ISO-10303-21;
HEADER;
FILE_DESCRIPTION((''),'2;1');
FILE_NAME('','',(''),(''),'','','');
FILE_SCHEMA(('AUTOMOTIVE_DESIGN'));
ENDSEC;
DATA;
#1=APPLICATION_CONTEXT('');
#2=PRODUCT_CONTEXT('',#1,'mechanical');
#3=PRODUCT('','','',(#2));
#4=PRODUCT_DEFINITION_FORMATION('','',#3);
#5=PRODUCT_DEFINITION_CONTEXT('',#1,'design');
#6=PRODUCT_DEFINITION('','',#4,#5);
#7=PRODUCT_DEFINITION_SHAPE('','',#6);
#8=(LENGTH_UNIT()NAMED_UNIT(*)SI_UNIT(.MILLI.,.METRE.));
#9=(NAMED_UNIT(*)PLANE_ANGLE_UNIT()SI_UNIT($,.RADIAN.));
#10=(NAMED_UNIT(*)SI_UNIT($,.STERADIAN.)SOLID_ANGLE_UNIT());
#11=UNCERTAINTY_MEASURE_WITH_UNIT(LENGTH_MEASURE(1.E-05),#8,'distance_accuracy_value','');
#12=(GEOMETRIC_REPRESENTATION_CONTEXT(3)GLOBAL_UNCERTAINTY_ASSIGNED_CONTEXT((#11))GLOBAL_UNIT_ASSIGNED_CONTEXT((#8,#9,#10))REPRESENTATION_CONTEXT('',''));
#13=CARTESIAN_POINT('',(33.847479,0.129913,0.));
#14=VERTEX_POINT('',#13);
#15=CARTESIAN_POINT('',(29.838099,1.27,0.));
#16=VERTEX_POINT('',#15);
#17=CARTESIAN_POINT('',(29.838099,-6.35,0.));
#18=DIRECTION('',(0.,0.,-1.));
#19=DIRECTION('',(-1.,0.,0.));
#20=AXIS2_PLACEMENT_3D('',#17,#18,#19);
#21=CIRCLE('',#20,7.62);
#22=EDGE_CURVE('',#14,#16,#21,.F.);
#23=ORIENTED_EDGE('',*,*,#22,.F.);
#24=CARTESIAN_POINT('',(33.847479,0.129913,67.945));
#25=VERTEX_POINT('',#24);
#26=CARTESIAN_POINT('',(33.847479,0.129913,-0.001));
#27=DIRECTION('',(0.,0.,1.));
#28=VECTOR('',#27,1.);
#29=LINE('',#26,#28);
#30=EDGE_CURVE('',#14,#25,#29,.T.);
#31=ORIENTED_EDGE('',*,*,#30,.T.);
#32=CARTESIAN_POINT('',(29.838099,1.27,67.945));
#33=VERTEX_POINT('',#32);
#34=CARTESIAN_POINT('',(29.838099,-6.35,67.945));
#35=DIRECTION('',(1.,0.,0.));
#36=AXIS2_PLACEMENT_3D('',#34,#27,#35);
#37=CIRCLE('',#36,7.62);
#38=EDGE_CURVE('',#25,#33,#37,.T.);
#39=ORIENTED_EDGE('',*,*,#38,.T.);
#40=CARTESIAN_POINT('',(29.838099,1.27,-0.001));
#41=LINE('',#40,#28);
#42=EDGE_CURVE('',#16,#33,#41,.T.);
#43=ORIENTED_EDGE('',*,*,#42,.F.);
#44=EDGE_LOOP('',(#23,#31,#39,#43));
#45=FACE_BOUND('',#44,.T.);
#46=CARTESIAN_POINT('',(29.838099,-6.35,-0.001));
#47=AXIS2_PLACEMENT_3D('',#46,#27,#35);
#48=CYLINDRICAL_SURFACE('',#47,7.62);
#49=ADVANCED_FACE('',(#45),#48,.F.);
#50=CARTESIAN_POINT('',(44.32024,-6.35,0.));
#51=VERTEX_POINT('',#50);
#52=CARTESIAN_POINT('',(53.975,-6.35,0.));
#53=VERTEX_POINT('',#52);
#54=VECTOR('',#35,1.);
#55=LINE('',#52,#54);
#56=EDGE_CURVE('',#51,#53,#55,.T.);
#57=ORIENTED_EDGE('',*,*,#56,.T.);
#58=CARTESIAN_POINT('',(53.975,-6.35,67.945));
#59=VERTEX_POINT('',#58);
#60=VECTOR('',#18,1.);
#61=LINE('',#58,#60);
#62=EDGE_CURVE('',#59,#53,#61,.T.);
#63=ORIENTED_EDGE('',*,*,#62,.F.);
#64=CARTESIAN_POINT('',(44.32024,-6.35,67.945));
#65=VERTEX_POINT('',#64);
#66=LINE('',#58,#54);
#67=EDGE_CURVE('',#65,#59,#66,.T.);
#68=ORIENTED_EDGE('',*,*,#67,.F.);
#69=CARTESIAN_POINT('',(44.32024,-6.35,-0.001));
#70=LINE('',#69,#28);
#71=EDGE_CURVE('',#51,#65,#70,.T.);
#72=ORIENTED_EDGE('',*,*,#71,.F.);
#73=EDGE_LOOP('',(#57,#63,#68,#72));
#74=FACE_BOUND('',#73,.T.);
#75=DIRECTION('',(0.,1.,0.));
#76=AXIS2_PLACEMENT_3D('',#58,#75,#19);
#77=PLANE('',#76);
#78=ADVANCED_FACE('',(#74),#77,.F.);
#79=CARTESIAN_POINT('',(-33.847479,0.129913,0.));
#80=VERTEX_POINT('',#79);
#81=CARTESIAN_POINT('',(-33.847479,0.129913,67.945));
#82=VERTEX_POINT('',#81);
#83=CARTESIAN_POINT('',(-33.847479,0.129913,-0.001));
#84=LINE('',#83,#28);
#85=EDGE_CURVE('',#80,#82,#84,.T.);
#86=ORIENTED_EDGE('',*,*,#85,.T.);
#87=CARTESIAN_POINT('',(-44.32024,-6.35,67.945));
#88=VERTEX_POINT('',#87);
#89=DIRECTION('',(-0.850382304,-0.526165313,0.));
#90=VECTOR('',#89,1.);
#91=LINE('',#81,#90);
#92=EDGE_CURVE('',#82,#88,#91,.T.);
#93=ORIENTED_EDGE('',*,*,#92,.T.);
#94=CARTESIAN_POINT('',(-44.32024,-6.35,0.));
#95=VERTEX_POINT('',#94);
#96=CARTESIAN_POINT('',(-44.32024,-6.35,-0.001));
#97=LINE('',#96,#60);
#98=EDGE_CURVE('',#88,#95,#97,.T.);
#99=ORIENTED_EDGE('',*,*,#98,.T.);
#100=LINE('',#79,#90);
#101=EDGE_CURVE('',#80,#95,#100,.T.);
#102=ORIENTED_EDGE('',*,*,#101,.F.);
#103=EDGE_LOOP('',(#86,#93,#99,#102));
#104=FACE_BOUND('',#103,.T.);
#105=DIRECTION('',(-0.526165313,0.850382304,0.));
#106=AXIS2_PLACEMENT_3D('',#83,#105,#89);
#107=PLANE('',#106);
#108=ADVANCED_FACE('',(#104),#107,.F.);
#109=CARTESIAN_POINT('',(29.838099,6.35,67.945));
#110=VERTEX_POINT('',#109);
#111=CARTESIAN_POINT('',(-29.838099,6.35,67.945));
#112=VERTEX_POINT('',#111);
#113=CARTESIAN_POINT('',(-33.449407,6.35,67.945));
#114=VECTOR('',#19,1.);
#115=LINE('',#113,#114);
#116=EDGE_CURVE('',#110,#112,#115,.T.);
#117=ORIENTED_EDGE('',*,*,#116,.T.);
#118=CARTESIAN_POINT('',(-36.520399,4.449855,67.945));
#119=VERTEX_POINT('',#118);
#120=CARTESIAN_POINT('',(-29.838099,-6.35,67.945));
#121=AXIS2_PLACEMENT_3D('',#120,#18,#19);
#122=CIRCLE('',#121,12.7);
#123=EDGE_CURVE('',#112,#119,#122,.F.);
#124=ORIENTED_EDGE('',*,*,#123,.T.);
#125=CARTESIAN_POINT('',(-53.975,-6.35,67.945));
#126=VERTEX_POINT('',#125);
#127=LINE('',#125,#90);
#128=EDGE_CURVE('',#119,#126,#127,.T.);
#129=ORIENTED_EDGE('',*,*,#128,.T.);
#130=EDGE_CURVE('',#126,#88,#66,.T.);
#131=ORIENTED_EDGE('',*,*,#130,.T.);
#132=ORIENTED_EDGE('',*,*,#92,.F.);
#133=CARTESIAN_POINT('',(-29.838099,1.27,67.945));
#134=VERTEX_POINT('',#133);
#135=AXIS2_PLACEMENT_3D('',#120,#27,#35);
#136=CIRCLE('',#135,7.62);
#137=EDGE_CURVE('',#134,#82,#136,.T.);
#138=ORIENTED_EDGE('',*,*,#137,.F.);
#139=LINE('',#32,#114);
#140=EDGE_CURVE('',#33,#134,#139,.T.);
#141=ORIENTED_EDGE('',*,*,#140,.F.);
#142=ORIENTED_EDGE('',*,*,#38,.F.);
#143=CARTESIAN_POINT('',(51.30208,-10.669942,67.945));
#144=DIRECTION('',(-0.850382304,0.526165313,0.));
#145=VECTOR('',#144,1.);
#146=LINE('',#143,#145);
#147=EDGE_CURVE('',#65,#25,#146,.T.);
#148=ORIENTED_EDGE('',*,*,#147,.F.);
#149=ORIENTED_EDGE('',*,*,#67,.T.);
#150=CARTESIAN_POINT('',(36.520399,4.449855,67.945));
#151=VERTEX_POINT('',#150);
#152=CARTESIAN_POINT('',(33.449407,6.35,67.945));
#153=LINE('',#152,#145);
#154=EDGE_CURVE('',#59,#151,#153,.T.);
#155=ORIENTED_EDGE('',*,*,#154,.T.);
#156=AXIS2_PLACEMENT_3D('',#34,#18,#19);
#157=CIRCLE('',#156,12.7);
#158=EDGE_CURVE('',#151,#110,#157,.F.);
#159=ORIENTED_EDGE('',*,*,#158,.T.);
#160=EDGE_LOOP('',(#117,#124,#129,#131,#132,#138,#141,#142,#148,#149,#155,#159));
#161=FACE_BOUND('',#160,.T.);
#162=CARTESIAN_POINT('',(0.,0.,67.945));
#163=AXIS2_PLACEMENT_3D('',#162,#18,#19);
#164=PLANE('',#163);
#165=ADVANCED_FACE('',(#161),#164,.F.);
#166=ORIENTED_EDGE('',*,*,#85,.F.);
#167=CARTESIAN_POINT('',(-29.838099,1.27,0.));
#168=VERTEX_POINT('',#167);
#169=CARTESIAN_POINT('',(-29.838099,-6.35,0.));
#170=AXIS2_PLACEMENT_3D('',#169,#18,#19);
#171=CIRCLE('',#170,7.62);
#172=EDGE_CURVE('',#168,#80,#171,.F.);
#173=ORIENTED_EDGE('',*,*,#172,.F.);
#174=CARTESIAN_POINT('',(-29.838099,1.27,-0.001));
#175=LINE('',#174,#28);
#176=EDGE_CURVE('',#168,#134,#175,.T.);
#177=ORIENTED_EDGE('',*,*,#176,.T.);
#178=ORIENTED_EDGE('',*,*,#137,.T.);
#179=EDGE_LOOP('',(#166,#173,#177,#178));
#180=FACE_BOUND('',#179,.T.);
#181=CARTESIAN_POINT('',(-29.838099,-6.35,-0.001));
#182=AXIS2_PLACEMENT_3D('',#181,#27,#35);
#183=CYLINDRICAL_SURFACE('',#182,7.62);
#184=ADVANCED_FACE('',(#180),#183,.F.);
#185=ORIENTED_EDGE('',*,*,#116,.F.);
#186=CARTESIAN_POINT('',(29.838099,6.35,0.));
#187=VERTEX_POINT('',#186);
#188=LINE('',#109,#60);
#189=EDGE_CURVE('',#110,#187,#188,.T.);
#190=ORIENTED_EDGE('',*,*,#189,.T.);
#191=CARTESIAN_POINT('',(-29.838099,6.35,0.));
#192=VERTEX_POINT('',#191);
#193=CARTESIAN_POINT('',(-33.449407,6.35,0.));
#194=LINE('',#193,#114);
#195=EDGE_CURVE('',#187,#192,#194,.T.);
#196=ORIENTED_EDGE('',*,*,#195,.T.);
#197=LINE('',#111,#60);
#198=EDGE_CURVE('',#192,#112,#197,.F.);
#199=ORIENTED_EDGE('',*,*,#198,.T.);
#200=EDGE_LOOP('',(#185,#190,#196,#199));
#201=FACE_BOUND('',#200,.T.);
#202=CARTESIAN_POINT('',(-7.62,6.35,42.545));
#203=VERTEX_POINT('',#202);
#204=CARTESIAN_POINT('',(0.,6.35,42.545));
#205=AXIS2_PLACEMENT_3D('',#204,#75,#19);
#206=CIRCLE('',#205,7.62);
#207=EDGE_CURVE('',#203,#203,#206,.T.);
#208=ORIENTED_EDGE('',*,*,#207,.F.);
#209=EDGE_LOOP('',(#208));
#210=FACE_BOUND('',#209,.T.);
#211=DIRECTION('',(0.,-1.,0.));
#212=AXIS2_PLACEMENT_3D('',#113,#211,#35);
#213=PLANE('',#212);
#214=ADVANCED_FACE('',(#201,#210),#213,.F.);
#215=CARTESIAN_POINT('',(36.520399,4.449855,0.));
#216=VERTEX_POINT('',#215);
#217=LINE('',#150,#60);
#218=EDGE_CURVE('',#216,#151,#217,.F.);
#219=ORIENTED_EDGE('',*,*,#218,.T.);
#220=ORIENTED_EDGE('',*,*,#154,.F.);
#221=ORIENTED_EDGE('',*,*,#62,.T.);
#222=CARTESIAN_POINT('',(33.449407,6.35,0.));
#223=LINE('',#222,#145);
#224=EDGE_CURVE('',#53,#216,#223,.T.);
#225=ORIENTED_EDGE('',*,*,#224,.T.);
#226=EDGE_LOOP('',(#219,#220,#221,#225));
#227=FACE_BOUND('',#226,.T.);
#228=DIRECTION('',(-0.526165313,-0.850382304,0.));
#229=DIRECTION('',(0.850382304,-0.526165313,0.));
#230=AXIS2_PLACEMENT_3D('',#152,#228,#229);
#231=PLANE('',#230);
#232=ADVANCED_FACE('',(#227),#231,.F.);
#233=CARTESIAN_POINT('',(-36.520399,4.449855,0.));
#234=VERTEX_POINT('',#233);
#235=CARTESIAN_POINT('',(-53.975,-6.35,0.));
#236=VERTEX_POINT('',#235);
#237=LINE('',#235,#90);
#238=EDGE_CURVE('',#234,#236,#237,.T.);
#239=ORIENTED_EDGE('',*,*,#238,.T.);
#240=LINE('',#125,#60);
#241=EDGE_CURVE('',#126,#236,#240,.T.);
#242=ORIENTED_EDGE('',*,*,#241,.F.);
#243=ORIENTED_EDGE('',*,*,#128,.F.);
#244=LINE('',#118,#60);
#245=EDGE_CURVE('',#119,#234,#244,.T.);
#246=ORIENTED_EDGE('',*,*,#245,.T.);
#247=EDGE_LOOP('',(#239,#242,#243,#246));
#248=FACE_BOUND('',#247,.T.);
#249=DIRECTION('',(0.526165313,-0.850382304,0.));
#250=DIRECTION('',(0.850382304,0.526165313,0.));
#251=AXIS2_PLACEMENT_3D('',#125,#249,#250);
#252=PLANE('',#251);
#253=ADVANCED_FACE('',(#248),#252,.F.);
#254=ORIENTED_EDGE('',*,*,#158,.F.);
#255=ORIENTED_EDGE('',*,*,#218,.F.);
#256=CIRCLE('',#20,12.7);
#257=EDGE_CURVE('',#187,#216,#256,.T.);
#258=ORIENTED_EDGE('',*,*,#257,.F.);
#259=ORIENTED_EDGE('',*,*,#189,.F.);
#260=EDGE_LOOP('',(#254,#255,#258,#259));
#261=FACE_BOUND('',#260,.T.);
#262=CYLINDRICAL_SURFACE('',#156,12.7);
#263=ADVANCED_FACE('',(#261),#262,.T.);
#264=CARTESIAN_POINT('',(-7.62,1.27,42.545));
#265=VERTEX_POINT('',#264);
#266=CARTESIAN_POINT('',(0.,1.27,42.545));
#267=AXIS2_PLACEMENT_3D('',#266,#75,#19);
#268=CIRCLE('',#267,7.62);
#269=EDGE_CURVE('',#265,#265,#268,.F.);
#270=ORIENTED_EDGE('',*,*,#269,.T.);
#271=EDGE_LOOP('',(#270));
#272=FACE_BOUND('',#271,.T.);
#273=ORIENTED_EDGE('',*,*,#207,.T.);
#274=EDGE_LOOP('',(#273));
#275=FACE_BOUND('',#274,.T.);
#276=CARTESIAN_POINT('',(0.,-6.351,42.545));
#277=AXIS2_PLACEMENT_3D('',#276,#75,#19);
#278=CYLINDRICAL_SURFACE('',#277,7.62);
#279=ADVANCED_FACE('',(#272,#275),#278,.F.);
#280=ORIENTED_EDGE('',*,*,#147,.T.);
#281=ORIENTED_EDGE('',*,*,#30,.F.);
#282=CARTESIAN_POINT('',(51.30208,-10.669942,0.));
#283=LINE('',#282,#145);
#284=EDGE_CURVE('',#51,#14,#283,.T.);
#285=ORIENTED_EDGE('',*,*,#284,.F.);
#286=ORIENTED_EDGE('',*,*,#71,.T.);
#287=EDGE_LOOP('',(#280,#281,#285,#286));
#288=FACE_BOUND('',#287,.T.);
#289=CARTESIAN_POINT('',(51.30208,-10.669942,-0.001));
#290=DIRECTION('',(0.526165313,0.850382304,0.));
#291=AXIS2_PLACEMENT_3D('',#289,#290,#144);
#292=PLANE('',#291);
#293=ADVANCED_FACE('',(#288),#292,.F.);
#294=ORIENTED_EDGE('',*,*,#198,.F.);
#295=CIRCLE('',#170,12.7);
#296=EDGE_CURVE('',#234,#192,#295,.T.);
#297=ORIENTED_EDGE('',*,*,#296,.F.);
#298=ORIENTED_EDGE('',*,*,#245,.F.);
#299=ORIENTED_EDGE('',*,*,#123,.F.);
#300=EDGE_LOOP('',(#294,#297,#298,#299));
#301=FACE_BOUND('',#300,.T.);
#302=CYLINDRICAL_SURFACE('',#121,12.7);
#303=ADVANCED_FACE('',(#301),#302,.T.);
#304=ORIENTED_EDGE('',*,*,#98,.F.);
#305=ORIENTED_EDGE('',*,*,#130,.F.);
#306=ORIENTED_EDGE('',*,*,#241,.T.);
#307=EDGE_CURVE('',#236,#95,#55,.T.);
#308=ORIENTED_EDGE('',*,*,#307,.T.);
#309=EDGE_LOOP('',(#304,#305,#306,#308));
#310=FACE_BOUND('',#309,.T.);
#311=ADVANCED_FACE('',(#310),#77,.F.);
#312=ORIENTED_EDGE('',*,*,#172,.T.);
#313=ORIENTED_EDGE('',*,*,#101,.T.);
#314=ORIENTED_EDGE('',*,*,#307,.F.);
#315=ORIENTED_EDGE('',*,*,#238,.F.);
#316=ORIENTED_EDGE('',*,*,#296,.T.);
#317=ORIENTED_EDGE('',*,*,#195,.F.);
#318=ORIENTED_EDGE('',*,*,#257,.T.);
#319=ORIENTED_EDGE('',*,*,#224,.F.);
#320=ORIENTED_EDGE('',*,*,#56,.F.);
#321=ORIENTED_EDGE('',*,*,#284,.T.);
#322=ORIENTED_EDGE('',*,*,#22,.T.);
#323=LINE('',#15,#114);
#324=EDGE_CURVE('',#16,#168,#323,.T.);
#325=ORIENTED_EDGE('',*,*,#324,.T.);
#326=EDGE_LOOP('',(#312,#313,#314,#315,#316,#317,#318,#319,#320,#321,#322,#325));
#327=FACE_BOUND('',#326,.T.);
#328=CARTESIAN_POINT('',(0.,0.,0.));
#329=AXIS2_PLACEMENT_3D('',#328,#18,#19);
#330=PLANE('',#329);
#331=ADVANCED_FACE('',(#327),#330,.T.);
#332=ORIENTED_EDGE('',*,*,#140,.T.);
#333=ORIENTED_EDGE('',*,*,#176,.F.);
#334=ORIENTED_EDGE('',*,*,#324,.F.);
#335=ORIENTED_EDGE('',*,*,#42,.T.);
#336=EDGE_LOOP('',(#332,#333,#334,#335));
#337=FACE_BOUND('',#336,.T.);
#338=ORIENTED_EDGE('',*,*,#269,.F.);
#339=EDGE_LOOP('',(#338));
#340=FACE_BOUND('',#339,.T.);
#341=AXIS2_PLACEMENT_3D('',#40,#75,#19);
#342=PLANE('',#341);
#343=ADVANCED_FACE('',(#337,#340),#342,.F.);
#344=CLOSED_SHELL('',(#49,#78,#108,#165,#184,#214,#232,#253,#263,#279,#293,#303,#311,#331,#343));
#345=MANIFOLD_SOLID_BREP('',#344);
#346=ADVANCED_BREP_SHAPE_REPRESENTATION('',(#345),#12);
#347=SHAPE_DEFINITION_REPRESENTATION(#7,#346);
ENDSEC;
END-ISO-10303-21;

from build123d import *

# Parameters (mm, degrees)
BOSS_EXTRUDE1_DEPTH = 67.945
FILLET1_R           = 12.7
CUT_EXTRUDE1_REACH  = 89.007
CUT_EXTRUDE2_REACH  = 89.699
SKETCH5_R           = 7.62


with BuildPart() as part:
    # Sketch1 → Boss-Extrude1 (new body)
    with BuildSketch(Plane.XY):
        Polygon((-53.975, -6.35), (-33.449406604, 6.35), (33.449406604, 6.35), (53.975, -6.35), align=None)
    extrude(amount=BOSS_EXTRUDE1_DEPTH)

    # Fillet1
    fillet1_edges = [part.edges().sort_by_distance(p)[0] for p in [
        (-33.449406604, 6.35, 33.9725),
        (33.449406604, 6.35, 33.9725),
    ]]
    fillet(fillet1_edges, radius=FILLET1_R)

    # Sketch3 → Cut-Extrude1 (cut, up to next)
    with BuildSketch(Plane.XY.offset(67.945), mode=Mode.PRIVATE) as cut_extrude1_sk1:
        with BuildLine():
            Line((-51.302080212, -10.669942107), (51.302080212, -10.669942107))
            Line((51.302080212, -10.669942107), (33.847478799, 0.12991316))
            ThreePointArc((33.847478799, 0.12991316), (31.922261025, 0.979438528), (29.838099116, 1.27))
            Line((29.838099116, 1.27), (-29.838099116, 1.27))
            ThreePointArc((-29.838099116, 1.27), (-31.922261025, 0.979438528), (-33.847478799, 0.12991316))
            Line((-33.847478799, 0.12991316), (-51.302080212, -10.669942107))
        make_face()
    cut_extrude1_tool1 = extrude(cut_extrude1_sk1.sketch, amount=-CUT_EXTRUDE1_REACH, mode=Mode.PRIVATE) & part.part
    add(cut_extrude1_tool1.solids().sort_by_distance((0, -5.166229, 67.945))[0], mode=Mode.SUBTRACT)

    # Sketch5 → Cut-Extrude2 (cut, up to next)
    with BuildSketch(Plane(origin=(0, 6.35, 0), x_dir=(1, 0, 0), z_dir=(0, 1, 0)), mode=Mode.PRIVATE) as cut_extrude2_sk1:
        with Locations(Location((0, -42.545, 0), (0, 0, 180))):
            Circle(SKETCH5_R)
    cut_extrude2_tool1 = extrude(cut_extrude2_sk1.sketch, amount=-CUT_EXTRUDE2_REACH, mode=Mode.PRIVATE) & part.part
    add(cut_extrude2_tool1.solids().sort_by_distance((0, 6.35, 42.545))[0], mode=Mode.SUBTRACT)


solid = part.part
